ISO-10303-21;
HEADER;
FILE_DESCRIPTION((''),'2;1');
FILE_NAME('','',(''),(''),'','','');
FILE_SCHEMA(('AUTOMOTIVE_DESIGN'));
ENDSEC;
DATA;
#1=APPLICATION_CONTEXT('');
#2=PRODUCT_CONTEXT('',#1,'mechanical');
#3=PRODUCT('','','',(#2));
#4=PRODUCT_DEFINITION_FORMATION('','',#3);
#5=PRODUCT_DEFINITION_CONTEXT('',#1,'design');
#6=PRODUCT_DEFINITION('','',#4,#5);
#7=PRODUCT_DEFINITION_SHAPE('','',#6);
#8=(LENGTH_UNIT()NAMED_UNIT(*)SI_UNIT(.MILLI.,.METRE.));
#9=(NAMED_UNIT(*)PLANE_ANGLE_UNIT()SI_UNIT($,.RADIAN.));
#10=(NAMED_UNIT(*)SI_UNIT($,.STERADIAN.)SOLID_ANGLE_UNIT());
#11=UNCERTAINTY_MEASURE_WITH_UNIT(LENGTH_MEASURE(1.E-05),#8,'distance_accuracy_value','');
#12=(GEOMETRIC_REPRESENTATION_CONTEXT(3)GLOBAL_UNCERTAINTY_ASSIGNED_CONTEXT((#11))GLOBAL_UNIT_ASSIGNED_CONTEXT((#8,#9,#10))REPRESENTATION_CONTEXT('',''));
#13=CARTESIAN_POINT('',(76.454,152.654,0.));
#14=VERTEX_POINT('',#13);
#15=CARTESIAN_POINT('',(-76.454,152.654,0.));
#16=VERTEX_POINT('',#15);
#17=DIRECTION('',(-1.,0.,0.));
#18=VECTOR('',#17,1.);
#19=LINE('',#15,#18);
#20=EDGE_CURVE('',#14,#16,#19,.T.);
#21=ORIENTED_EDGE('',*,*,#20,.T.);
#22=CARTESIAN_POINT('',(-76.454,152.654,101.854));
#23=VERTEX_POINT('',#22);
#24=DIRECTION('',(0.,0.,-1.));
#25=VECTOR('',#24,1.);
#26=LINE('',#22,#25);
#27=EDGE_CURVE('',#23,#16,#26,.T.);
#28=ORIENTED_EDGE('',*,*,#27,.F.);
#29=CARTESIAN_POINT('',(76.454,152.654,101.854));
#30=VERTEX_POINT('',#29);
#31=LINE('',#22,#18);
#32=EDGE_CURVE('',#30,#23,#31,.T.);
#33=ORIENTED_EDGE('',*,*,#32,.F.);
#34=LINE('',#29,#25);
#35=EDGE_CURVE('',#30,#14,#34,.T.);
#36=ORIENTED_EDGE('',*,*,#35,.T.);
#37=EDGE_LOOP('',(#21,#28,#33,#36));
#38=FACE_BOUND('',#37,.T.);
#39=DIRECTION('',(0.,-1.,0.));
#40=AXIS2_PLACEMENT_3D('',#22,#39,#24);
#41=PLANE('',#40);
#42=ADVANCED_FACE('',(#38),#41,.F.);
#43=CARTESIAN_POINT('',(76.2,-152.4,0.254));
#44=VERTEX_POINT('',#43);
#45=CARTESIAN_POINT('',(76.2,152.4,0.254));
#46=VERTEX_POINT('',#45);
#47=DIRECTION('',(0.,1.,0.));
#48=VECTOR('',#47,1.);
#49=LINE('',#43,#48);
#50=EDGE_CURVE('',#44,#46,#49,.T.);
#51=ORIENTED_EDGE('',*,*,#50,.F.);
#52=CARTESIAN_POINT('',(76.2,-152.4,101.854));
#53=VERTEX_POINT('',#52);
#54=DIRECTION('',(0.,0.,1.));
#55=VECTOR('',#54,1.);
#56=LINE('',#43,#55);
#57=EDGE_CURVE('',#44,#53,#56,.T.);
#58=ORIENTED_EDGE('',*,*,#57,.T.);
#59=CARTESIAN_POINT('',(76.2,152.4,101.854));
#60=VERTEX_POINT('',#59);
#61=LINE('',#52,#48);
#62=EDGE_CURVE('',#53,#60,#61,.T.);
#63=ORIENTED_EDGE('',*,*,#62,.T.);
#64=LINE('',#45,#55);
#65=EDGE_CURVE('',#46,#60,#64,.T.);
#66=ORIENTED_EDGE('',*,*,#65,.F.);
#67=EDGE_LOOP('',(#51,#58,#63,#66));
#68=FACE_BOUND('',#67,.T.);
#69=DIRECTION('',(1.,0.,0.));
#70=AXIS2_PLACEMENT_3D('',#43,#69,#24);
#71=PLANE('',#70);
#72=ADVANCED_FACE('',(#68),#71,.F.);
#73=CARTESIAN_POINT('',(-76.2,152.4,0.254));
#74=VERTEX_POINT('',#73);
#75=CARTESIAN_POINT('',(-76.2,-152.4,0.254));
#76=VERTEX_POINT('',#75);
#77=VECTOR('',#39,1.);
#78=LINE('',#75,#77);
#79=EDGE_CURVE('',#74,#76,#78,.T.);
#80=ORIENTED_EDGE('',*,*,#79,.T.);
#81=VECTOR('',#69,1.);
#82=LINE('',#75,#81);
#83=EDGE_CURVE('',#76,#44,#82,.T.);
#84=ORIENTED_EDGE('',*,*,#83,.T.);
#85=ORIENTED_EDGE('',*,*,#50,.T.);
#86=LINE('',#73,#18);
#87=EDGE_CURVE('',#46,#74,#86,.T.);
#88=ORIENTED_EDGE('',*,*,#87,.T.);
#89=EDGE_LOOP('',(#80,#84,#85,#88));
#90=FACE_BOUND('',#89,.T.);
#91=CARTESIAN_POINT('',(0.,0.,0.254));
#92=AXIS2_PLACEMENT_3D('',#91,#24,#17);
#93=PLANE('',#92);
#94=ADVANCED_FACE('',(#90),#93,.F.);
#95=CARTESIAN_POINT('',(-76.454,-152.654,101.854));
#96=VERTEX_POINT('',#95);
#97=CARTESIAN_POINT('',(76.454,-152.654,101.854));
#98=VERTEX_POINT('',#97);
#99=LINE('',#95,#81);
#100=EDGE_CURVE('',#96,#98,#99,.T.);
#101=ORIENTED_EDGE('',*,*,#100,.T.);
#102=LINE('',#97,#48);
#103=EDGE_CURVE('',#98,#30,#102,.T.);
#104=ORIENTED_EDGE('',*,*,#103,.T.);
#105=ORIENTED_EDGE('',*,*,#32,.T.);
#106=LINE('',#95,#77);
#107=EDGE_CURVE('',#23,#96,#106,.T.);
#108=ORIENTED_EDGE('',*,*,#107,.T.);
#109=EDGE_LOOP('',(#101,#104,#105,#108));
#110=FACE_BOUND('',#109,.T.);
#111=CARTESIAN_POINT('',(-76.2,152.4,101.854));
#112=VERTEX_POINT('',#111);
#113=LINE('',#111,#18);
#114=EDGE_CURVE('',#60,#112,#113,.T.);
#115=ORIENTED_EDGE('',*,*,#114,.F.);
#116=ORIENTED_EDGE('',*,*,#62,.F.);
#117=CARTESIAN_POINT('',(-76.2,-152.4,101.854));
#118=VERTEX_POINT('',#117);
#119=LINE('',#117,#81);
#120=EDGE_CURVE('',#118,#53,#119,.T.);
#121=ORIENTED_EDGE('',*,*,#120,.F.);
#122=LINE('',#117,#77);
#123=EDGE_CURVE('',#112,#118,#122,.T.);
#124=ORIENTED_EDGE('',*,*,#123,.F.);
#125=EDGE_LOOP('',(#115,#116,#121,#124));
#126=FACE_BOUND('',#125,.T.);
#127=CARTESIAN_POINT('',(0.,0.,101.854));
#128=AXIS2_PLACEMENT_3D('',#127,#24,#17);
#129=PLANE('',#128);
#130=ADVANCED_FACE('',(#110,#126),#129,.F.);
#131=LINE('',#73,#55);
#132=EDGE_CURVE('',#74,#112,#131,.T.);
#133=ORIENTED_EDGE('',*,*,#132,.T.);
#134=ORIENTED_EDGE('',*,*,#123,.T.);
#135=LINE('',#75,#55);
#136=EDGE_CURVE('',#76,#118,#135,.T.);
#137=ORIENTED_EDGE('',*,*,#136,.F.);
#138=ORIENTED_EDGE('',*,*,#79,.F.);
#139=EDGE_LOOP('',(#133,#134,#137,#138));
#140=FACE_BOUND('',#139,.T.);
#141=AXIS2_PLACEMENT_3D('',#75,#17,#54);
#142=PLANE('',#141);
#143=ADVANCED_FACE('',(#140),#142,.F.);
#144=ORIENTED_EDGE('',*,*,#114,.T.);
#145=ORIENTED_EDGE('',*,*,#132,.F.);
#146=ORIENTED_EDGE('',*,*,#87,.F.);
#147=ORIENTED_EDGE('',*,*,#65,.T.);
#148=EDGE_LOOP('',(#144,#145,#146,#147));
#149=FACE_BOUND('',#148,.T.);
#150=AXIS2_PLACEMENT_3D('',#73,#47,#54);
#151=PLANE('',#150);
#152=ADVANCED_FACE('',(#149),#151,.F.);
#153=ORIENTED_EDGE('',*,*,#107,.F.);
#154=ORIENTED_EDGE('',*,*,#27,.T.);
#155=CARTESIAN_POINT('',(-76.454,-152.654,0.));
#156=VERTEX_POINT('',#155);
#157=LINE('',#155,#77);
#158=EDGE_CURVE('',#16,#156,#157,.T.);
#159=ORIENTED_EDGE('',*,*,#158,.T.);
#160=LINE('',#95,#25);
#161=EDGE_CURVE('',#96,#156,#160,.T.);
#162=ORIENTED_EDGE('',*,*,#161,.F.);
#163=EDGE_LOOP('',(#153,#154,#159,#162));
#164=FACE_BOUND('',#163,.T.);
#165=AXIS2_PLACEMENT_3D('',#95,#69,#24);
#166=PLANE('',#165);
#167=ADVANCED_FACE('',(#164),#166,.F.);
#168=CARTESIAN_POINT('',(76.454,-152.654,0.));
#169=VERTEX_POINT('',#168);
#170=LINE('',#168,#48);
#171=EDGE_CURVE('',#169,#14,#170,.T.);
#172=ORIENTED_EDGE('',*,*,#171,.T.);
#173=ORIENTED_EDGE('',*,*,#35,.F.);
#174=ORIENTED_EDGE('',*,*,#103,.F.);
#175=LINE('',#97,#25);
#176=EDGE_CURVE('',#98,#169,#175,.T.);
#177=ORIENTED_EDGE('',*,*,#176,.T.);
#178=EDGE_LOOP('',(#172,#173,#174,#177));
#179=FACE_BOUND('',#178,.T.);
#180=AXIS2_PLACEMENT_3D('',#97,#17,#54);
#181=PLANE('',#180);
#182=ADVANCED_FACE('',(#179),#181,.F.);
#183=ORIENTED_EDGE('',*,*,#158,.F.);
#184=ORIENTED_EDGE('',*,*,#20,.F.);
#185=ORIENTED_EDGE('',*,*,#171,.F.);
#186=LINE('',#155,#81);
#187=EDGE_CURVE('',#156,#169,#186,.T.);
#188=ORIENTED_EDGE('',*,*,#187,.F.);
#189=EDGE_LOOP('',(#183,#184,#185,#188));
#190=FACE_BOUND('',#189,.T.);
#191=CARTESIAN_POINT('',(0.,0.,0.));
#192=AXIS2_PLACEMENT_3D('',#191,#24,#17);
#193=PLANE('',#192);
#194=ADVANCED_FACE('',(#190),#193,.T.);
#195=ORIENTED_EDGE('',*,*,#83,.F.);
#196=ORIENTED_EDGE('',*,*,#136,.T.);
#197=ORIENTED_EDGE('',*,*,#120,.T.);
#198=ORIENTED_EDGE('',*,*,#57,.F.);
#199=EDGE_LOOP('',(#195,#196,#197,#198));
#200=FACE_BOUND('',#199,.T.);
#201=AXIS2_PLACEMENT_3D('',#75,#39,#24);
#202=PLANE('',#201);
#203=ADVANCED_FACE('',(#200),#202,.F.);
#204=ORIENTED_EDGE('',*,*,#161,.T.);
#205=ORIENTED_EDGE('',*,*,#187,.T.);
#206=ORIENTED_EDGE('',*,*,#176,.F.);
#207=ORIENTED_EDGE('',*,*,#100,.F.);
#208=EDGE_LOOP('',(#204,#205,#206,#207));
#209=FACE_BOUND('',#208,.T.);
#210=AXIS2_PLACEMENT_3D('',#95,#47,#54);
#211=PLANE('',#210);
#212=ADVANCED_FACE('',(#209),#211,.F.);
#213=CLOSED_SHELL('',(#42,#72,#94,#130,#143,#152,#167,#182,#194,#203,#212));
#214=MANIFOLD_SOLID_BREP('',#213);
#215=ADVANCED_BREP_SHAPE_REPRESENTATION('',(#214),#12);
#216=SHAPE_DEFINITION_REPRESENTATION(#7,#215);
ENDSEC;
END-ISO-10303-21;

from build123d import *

# Parameters (mm, degrees)
FRONT_W             = 152.908
FRONT_H             = 305.308
BOSS_EXTRUDE1_DEPTH = 101.854
SKETCH3_W           = 152.4
SKETCH3_H           = 304.8
CUT_EXTRUDE1_DEPTH  = 101.6


with BuildPart() as part:
    # Front → Boss-Extrude1 (new body)
    with BuildSketch(Plane.XY):
        Rectangle(FRONT_W, FRONT_H)
    extrude(amount=BOSS_EXTRUDE1_DEPTH)

    # Sketch3 → Cut-Extrude1 (cut)
    with BuildSketch(Plane.XY.offset(101.854)):
        Rectangle(SKETCH3_W, SKETCH3_H)
    extrude(amount=-CUT_EXTRUDE1_DEPTH, mode=Mode.SUBTRACT)


solid = part.part
